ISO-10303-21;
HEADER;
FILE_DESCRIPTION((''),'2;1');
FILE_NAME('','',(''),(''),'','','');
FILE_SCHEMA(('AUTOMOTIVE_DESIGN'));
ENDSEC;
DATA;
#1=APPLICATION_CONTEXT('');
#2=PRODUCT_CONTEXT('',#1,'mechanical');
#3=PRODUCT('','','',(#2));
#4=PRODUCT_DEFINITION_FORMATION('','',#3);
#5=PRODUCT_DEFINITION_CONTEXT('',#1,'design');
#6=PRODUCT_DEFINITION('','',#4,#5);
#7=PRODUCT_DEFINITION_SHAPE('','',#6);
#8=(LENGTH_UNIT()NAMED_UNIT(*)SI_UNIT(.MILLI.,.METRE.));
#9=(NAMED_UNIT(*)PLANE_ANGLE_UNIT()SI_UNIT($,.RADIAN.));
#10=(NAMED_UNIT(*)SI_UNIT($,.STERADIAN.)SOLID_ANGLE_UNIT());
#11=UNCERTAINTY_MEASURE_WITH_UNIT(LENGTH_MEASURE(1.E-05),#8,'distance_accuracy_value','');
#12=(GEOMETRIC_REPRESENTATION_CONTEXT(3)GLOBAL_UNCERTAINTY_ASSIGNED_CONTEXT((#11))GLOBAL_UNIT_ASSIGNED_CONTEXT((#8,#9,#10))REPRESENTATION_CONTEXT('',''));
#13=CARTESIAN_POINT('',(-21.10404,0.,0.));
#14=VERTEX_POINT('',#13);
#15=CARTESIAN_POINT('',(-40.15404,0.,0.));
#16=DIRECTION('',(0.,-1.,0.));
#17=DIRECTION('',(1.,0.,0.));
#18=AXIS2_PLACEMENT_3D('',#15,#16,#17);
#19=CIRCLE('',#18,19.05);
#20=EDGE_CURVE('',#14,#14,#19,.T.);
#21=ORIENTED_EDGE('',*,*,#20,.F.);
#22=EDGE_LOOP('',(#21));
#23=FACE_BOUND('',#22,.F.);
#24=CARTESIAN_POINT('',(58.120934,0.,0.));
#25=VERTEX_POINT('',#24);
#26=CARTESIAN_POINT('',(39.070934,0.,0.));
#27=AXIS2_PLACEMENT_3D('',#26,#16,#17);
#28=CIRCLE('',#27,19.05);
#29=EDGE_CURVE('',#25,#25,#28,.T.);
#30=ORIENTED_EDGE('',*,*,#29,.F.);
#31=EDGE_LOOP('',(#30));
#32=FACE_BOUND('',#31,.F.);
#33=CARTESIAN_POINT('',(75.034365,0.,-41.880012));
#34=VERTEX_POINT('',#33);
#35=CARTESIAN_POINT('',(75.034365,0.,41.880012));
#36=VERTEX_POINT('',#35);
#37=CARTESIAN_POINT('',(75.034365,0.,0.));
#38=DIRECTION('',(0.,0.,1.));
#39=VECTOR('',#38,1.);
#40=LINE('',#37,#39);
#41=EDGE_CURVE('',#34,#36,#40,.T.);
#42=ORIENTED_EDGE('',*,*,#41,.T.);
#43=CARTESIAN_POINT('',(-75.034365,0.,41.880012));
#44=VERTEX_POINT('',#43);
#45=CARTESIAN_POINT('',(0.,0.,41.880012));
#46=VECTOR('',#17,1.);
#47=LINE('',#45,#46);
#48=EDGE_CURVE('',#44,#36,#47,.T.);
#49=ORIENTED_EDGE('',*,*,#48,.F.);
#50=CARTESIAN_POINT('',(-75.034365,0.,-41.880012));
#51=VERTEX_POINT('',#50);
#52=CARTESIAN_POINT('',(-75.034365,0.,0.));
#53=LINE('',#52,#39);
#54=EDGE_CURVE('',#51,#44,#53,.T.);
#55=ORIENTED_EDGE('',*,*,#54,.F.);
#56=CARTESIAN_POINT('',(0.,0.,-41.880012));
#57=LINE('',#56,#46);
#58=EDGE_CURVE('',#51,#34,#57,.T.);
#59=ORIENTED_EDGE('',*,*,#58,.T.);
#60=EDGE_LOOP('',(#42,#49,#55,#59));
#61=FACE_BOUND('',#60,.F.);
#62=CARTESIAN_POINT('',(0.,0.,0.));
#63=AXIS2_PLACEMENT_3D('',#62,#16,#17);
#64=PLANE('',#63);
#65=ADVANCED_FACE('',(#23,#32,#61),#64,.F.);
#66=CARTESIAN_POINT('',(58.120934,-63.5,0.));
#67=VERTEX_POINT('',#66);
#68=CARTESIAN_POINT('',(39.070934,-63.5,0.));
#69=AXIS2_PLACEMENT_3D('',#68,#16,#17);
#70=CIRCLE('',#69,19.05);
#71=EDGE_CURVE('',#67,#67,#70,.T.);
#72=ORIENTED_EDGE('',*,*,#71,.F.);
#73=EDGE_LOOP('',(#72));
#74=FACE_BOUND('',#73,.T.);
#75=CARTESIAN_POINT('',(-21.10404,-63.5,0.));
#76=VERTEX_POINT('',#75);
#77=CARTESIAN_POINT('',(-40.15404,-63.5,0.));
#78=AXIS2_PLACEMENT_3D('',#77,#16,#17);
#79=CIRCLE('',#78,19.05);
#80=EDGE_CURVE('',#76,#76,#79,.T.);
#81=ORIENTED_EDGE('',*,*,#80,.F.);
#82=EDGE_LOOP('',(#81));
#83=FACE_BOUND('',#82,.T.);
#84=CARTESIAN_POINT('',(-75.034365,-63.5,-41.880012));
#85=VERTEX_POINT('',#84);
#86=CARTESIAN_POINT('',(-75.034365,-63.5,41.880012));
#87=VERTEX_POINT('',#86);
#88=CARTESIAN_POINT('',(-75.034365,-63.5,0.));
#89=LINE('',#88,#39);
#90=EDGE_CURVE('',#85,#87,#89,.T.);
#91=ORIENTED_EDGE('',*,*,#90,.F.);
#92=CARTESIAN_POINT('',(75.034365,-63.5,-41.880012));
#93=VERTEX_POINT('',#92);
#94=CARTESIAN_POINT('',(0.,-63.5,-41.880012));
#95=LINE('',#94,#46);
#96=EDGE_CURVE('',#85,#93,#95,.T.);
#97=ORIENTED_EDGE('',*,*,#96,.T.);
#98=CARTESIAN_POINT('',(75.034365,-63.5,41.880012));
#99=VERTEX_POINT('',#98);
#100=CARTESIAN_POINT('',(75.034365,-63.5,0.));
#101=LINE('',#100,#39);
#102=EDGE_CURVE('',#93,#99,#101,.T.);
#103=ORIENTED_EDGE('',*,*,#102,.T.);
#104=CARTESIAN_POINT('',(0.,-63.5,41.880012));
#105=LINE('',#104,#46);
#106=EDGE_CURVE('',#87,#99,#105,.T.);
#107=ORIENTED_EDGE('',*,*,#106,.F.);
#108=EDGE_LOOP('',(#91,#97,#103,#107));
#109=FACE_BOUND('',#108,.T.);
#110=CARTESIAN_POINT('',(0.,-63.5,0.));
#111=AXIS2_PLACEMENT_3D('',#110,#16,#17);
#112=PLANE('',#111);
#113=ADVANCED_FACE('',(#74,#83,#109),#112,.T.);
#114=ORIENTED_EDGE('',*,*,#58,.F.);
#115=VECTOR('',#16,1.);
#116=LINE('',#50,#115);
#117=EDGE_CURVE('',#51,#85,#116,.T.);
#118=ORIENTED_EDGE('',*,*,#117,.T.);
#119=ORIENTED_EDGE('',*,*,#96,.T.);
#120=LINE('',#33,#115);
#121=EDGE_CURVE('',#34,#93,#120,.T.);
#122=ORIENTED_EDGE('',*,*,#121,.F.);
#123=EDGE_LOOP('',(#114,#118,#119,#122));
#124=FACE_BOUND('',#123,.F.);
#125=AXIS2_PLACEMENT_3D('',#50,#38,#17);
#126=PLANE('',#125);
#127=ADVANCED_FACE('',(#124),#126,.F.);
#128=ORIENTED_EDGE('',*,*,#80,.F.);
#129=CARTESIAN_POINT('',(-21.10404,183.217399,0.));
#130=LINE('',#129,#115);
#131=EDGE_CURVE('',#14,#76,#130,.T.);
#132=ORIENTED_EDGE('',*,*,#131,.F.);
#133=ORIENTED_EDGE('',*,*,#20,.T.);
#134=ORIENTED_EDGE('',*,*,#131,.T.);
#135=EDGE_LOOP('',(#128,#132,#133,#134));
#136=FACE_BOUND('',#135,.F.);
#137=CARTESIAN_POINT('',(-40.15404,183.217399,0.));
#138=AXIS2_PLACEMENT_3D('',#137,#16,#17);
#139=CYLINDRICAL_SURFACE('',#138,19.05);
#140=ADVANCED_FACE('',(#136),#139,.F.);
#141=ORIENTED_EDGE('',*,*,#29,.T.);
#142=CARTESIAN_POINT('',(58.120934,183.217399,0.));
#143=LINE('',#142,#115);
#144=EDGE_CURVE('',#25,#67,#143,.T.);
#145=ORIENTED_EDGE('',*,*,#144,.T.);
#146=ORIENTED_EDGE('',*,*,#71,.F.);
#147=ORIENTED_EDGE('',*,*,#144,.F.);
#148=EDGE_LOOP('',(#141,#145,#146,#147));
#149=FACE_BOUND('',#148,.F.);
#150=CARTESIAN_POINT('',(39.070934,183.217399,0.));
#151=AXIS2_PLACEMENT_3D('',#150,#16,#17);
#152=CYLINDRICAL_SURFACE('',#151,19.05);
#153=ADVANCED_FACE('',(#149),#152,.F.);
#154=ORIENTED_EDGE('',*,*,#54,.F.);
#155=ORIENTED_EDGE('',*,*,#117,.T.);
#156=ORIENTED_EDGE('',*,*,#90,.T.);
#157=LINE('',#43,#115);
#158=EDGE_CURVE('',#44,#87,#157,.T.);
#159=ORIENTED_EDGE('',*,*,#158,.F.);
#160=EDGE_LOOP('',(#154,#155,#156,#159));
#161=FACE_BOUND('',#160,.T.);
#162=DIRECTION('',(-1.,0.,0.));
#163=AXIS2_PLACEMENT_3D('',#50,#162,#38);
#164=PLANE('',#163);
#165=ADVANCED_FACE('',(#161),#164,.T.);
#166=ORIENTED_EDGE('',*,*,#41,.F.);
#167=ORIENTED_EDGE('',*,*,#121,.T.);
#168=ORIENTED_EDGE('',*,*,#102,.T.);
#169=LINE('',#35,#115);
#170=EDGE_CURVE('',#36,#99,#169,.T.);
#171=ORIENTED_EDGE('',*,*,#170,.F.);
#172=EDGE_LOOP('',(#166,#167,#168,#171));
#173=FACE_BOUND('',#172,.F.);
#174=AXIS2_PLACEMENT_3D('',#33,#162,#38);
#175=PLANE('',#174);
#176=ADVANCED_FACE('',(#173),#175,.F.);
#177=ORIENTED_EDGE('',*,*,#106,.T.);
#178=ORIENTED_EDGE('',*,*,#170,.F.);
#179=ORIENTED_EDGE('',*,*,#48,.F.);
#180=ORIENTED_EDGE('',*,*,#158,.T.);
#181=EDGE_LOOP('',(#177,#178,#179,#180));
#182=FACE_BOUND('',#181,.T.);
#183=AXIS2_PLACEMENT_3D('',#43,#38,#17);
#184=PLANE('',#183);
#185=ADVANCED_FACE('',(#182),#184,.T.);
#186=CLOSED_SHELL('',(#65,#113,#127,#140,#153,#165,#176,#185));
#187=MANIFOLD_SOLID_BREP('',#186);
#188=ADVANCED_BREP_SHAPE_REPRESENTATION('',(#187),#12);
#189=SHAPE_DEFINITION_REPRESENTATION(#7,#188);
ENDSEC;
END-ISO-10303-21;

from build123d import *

# Parameters (mm, degrees)
F0_W     = 150.06873
F0_H     = 83.760024
F1_DEPTH = 63.5
F3_D     = 38.1
F5_D     = 38.1


with BuildPart() as f1:
    # F0 (on Front) → F1 (new body)
    with BuildSketch(Plane.XZ):
        Rectangle(F0_W, F0_H)
    extrude(amount=F1_DEPTH)

    # F3 (through all)
    with Locations(Plane(origin=(0, 0, 0), x_dir=(-1, 0, 0), z_dir=(0, 1, 0))):
        with Locations((-39.070934, 0)):
            Hole(F3_D / 2)

    # F5 (through all)
    with Locations(Plane(origin=(0, 0, 0), x_dir=(-1, 0, 0), z_dir=(0, 1, 0))):
        with Locations((40.15404, 0)):
            Hole(F5_D / 2)


solid = f1.part
